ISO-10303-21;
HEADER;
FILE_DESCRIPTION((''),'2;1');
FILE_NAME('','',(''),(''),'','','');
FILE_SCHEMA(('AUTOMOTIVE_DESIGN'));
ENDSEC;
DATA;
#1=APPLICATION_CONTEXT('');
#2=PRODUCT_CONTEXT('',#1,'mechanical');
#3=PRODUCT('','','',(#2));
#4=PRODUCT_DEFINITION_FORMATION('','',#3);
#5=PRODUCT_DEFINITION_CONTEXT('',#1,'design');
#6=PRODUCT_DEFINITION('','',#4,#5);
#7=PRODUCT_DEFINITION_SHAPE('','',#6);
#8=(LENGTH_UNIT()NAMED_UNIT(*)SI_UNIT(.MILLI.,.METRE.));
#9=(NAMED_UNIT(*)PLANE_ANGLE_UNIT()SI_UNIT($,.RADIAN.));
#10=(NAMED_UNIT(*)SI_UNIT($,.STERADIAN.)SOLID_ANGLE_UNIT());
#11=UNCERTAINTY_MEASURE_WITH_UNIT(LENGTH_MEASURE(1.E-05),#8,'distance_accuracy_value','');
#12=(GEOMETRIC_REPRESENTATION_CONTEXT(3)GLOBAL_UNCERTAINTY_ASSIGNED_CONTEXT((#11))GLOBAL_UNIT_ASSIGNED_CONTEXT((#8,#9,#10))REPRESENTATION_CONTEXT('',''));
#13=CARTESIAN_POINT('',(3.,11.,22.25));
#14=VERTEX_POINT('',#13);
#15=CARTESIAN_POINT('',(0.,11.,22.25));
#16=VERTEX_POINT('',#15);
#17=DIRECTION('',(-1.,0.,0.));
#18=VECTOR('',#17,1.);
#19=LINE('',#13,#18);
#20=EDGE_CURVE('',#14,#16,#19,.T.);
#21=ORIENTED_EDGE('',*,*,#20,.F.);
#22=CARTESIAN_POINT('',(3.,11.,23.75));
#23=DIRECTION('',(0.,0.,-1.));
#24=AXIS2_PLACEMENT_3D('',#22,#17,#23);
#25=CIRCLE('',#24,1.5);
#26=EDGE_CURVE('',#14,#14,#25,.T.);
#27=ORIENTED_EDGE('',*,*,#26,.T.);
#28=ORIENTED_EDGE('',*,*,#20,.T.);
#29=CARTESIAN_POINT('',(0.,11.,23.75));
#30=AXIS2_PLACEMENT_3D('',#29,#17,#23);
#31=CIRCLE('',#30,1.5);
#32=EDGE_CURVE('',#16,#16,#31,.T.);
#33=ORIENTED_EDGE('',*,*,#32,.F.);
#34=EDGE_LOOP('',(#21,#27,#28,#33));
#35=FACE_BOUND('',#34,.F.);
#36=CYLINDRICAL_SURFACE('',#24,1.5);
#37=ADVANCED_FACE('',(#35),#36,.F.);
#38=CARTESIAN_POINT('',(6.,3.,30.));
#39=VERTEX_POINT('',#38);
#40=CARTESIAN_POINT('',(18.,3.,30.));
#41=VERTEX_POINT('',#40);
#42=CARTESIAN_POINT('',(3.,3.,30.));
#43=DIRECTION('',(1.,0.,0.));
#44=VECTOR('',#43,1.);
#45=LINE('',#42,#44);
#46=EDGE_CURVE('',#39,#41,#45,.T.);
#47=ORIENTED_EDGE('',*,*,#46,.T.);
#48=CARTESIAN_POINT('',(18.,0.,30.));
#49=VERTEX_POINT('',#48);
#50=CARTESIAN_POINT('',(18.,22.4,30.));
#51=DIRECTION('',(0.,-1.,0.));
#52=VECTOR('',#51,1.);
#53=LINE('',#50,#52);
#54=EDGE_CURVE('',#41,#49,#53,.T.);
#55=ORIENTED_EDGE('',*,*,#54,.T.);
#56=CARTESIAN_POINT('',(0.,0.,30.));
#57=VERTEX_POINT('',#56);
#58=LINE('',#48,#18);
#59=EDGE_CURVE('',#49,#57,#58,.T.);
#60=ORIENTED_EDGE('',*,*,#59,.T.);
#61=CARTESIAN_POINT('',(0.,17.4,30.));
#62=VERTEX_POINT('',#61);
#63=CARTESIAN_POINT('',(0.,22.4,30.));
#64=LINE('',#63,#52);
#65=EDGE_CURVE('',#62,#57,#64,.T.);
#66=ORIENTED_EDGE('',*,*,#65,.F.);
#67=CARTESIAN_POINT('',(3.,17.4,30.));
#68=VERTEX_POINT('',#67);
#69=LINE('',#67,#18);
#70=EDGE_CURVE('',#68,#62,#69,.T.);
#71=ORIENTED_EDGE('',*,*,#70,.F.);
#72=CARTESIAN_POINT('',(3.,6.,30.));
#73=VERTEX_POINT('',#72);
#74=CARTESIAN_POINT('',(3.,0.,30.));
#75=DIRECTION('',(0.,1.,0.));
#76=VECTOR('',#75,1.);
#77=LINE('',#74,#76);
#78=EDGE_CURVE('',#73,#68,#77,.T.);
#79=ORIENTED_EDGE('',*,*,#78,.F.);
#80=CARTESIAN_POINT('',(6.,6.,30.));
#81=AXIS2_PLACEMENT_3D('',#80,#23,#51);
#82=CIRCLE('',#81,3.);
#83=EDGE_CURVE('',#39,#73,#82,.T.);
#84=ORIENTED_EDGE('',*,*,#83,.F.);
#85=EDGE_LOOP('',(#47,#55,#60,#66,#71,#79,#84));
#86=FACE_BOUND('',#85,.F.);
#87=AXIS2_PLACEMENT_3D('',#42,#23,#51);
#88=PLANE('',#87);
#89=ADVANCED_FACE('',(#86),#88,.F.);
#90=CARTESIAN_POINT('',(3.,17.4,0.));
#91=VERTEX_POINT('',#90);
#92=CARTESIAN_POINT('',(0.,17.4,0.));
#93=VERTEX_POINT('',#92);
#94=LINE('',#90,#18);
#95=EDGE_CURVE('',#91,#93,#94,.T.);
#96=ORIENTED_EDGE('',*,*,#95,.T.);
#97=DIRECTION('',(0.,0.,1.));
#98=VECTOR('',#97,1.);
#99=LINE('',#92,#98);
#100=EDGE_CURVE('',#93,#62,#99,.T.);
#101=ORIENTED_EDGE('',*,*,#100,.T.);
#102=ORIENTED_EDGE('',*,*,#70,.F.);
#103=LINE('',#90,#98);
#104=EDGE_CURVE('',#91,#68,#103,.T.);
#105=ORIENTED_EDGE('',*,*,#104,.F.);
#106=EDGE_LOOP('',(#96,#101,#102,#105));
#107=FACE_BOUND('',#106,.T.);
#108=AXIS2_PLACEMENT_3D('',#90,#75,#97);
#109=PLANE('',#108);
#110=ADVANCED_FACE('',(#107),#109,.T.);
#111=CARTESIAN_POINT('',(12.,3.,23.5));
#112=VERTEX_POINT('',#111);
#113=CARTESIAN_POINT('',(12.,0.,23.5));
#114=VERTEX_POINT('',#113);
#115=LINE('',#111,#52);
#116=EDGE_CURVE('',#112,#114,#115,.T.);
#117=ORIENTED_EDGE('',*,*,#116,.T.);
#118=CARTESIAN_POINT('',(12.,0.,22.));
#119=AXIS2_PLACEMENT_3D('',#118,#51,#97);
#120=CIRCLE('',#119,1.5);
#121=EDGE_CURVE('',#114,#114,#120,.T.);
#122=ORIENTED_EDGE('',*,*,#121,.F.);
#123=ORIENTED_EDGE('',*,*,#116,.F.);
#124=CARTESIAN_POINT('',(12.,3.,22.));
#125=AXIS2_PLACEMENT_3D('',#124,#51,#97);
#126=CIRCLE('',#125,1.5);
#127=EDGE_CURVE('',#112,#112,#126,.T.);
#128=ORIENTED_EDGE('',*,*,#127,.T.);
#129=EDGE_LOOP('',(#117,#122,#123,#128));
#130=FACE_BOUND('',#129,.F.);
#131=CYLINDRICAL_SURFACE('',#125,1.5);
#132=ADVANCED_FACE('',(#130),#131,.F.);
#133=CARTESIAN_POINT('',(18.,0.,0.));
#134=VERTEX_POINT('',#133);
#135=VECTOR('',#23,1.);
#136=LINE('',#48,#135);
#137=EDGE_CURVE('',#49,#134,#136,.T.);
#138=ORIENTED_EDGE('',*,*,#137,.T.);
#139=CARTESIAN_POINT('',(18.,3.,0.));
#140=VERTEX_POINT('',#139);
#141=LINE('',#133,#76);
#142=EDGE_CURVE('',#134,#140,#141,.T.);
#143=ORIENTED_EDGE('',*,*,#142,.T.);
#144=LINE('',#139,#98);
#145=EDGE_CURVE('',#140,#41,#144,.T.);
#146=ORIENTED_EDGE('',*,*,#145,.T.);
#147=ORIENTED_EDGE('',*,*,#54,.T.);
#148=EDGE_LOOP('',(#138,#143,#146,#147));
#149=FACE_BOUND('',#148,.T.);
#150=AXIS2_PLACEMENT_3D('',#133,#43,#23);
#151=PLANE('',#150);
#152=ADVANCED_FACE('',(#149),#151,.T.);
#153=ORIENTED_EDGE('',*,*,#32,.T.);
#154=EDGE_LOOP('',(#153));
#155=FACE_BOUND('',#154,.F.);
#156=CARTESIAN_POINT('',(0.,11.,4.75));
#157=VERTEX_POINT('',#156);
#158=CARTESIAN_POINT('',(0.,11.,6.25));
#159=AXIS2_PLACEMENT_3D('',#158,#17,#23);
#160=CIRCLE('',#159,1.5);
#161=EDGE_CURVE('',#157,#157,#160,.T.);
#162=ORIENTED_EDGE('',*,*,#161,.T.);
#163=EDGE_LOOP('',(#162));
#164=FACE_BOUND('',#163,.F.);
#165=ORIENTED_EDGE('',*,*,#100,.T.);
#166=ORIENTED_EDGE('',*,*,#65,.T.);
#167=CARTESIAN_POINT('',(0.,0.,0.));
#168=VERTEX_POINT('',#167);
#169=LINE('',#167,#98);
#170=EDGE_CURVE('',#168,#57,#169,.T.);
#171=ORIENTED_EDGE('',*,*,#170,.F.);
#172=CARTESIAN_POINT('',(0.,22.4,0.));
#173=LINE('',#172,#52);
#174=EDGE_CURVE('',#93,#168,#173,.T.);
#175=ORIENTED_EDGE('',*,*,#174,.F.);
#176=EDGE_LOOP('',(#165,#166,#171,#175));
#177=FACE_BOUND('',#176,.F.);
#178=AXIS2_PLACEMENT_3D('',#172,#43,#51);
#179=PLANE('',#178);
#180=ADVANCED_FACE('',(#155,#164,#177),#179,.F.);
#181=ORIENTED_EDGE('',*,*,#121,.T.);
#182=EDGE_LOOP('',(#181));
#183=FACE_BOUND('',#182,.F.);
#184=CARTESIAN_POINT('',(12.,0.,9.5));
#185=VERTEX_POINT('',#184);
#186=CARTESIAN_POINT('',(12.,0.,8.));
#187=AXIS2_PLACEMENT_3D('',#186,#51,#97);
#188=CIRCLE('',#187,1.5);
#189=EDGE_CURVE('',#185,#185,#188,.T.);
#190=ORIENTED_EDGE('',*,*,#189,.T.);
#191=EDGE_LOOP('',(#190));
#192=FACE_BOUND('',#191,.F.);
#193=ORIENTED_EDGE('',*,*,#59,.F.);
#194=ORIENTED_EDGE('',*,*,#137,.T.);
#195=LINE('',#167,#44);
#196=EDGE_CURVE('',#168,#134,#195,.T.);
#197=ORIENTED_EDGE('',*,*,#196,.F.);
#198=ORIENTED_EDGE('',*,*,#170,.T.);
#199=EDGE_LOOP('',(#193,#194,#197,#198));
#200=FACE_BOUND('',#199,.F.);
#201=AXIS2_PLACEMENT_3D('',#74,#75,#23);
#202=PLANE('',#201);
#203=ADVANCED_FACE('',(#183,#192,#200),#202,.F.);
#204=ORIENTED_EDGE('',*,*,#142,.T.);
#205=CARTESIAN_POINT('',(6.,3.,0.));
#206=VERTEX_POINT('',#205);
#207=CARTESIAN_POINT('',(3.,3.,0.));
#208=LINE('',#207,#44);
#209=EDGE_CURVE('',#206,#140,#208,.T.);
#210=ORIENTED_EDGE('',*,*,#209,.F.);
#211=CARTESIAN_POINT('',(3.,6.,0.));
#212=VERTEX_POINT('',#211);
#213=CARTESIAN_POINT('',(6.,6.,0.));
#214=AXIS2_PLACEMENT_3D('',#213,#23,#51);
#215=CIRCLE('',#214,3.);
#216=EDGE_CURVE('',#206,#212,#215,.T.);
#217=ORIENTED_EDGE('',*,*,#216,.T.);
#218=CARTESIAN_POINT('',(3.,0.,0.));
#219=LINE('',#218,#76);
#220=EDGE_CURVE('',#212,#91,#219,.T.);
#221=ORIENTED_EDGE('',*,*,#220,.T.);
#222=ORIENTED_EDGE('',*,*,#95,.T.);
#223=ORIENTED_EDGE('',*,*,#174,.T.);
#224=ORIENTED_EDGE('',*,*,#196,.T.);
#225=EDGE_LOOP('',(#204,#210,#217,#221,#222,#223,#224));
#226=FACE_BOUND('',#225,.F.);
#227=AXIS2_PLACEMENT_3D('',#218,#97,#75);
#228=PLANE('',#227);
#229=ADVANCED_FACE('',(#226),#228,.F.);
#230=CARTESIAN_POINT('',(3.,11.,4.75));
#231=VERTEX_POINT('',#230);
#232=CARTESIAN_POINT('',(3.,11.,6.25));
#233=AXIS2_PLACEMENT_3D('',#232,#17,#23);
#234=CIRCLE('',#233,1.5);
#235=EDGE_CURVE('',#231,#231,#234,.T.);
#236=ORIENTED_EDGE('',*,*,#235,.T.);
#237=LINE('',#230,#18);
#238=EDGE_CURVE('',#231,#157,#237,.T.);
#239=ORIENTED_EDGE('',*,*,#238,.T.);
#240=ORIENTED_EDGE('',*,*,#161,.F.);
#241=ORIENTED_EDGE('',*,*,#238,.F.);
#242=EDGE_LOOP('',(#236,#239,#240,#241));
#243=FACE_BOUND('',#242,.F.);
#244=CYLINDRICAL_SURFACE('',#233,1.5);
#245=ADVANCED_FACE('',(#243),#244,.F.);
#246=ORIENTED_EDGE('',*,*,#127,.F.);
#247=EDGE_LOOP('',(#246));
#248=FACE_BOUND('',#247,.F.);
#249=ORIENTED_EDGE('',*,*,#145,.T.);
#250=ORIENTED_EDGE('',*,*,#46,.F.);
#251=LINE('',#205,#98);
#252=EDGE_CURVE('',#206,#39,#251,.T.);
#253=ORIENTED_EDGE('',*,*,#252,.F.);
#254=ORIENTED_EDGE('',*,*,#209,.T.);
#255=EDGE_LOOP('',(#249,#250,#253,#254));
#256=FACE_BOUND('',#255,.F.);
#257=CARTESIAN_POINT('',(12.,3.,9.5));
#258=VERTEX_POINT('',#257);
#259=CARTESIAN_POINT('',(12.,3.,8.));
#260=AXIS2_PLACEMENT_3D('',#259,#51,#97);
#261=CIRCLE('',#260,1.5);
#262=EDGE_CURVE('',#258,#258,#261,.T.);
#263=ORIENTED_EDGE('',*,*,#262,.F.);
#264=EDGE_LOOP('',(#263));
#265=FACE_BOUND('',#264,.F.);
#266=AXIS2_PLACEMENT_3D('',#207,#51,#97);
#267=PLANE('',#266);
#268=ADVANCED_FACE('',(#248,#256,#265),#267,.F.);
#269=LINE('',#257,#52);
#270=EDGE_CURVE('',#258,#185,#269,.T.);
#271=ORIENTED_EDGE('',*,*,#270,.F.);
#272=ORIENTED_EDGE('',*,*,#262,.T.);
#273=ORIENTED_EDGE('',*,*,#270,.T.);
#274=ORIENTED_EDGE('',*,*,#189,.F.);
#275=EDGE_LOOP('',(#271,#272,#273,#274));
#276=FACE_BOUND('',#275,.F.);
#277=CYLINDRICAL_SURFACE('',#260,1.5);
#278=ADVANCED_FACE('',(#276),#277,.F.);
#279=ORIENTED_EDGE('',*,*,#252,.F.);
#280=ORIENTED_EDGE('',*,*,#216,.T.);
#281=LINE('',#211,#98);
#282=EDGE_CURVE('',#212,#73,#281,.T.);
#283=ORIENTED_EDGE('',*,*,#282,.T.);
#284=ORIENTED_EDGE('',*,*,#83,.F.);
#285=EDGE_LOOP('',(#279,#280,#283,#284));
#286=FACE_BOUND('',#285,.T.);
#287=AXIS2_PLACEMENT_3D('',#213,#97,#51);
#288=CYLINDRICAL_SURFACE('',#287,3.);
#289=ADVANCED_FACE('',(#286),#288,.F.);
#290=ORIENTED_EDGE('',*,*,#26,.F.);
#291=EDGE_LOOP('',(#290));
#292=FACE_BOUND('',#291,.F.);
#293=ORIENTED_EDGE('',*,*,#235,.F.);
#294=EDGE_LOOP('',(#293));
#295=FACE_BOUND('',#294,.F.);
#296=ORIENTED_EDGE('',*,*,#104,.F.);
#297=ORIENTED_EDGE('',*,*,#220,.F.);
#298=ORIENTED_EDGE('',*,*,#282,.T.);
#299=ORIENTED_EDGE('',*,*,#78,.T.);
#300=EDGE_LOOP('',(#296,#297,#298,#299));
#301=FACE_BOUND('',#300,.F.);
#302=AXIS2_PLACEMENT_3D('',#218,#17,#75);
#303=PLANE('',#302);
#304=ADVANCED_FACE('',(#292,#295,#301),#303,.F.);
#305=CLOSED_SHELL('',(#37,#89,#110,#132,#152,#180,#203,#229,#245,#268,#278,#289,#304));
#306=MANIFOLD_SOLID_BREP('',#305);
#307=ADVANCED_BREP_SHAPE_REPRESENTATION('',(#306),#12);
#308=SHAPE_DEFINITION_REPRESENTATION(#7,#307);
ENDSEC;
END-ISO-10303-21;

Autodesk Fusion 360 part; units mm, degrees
sketch "Boceto1" plane through (0, 0, 0) normal (0, 0, 1) x (1, 0, 0)
  line L0 (0, 0) -> (3, 0)
  line L1 (3, 0) -> (3, 22.4)
  line L2 (3, 22.4) -> (0, 22.4)
  line L3 (0, 22.4) -> (0, 0)
  dimension "d1" = 3
  dimension "d2" = 22.4
extrude "Extruir1" add sketch "Boceto1" along normal blind 30
sketch "Boceto2" plane through (3, 0, 0) normal (1, 0, 0) x (0, 0, -1)
  line L0 (0, 0) -> (0, 22.4)
  line L1 (0, 22.4) -> (-30, 22.4)
  line L2 (-30, 22.4) -> (-30, 0)
  line L3 (-30, 0) -> (0, 0)
  circle A0 centre (-23.75, 11) radius 1.65
  circle A1 centre (-6.25, 11) radius 1.65
  dimension "d7" = 3.3
  dimension "d8" = 3.3
hole "Agujero1" at (3, 11, 23.75) at (3, 11, 6.25) direction (-1, 0, 0) diameter 3 depth 10 tip angle 118
sketch "Boceto3" plane through (3, 0, 0) normal (1, 0, 0) x (0, 0, -1)
  circle A0 centre (-23.75, 11) radius 1.5
  circle A1 centre (-6.25, 11) radius 1.5
  line L0 (0, 0) -> (0, 22.4)
  line L1 (0, 22.4) -> (-30, 22.4)
  line L2 (-30, 22.4) -> (-30, 0)
  line L3 (-30, 0) -> (0, 0)
  line L4 (-30, 0) -> (0, 0)
  line L5 (0, 0) -> (0, 3)
  line L6 (0, 3) -> (-30, 3)
  line L7 (-30, 3) -> (-30, 0)
  dimension "d12" = 30
  dimension "d13" = 3
extrude "Extruir2" add sketch "Boceto3" along normal blind 15 contours L0 L2 L3 L4 L5 L6 L7
fillet "Empalme1" radius 3 1 edges at (3, 3, 15)
sketch "Boceto4" plane through (0, 3, 0) normal (0, 1, 0) x (-1, 0, 0)
  line L0 (-6, 0) -> (-6, 30)
  line L1 (-6, 30) -> (-18, 30)
  line L2 (-18, 30) -> (-18, 0)
  line L3 (-18, 0) -> (-6, 0)
  circle A0 centre (-12, 8) radius 1.5
  circle A1 centre (-12, 22) radius 1.5
  dimension "d18" = 3
  dimension "d19" = 3
hole "Agujero2" at (12, 3, 22) at (12, 3, 8) direction (0, -1, 0) diameter 3 depth 10 tip angle 118
sketch "Boceto5" plane through (3, 0, 0) normal (1, 0, 0) x (0, 0, -1)
  line L0 (-30, 6) -> (0, 6)
  line L1 (0, 6) -> (0, 22.4)
  line L2 (0, 22.4) -> (-30, 22.4)
  line L3 (-30, 22.4) -> (-30, 6)
  circle A0 centre (-23.75, 11) radius 1.5
  circle A1 centre (-6.25, 11) radius 1.5
  line L4 (-30, 22.4) -> (0, 22.4)
  line L5 (0, 22.4) -> (0, 17.4)
  line L6 (0, 17.4) -> (-30, 17.4)
  line L7 (-30, 17.4) -> (-30, 22.4)
  dimension "d23" = 5
extrude "Extruir3" cut sketch "Boceto5" against normal blind 9 contours L1 L2 L3 L4 L5 L6 L7
